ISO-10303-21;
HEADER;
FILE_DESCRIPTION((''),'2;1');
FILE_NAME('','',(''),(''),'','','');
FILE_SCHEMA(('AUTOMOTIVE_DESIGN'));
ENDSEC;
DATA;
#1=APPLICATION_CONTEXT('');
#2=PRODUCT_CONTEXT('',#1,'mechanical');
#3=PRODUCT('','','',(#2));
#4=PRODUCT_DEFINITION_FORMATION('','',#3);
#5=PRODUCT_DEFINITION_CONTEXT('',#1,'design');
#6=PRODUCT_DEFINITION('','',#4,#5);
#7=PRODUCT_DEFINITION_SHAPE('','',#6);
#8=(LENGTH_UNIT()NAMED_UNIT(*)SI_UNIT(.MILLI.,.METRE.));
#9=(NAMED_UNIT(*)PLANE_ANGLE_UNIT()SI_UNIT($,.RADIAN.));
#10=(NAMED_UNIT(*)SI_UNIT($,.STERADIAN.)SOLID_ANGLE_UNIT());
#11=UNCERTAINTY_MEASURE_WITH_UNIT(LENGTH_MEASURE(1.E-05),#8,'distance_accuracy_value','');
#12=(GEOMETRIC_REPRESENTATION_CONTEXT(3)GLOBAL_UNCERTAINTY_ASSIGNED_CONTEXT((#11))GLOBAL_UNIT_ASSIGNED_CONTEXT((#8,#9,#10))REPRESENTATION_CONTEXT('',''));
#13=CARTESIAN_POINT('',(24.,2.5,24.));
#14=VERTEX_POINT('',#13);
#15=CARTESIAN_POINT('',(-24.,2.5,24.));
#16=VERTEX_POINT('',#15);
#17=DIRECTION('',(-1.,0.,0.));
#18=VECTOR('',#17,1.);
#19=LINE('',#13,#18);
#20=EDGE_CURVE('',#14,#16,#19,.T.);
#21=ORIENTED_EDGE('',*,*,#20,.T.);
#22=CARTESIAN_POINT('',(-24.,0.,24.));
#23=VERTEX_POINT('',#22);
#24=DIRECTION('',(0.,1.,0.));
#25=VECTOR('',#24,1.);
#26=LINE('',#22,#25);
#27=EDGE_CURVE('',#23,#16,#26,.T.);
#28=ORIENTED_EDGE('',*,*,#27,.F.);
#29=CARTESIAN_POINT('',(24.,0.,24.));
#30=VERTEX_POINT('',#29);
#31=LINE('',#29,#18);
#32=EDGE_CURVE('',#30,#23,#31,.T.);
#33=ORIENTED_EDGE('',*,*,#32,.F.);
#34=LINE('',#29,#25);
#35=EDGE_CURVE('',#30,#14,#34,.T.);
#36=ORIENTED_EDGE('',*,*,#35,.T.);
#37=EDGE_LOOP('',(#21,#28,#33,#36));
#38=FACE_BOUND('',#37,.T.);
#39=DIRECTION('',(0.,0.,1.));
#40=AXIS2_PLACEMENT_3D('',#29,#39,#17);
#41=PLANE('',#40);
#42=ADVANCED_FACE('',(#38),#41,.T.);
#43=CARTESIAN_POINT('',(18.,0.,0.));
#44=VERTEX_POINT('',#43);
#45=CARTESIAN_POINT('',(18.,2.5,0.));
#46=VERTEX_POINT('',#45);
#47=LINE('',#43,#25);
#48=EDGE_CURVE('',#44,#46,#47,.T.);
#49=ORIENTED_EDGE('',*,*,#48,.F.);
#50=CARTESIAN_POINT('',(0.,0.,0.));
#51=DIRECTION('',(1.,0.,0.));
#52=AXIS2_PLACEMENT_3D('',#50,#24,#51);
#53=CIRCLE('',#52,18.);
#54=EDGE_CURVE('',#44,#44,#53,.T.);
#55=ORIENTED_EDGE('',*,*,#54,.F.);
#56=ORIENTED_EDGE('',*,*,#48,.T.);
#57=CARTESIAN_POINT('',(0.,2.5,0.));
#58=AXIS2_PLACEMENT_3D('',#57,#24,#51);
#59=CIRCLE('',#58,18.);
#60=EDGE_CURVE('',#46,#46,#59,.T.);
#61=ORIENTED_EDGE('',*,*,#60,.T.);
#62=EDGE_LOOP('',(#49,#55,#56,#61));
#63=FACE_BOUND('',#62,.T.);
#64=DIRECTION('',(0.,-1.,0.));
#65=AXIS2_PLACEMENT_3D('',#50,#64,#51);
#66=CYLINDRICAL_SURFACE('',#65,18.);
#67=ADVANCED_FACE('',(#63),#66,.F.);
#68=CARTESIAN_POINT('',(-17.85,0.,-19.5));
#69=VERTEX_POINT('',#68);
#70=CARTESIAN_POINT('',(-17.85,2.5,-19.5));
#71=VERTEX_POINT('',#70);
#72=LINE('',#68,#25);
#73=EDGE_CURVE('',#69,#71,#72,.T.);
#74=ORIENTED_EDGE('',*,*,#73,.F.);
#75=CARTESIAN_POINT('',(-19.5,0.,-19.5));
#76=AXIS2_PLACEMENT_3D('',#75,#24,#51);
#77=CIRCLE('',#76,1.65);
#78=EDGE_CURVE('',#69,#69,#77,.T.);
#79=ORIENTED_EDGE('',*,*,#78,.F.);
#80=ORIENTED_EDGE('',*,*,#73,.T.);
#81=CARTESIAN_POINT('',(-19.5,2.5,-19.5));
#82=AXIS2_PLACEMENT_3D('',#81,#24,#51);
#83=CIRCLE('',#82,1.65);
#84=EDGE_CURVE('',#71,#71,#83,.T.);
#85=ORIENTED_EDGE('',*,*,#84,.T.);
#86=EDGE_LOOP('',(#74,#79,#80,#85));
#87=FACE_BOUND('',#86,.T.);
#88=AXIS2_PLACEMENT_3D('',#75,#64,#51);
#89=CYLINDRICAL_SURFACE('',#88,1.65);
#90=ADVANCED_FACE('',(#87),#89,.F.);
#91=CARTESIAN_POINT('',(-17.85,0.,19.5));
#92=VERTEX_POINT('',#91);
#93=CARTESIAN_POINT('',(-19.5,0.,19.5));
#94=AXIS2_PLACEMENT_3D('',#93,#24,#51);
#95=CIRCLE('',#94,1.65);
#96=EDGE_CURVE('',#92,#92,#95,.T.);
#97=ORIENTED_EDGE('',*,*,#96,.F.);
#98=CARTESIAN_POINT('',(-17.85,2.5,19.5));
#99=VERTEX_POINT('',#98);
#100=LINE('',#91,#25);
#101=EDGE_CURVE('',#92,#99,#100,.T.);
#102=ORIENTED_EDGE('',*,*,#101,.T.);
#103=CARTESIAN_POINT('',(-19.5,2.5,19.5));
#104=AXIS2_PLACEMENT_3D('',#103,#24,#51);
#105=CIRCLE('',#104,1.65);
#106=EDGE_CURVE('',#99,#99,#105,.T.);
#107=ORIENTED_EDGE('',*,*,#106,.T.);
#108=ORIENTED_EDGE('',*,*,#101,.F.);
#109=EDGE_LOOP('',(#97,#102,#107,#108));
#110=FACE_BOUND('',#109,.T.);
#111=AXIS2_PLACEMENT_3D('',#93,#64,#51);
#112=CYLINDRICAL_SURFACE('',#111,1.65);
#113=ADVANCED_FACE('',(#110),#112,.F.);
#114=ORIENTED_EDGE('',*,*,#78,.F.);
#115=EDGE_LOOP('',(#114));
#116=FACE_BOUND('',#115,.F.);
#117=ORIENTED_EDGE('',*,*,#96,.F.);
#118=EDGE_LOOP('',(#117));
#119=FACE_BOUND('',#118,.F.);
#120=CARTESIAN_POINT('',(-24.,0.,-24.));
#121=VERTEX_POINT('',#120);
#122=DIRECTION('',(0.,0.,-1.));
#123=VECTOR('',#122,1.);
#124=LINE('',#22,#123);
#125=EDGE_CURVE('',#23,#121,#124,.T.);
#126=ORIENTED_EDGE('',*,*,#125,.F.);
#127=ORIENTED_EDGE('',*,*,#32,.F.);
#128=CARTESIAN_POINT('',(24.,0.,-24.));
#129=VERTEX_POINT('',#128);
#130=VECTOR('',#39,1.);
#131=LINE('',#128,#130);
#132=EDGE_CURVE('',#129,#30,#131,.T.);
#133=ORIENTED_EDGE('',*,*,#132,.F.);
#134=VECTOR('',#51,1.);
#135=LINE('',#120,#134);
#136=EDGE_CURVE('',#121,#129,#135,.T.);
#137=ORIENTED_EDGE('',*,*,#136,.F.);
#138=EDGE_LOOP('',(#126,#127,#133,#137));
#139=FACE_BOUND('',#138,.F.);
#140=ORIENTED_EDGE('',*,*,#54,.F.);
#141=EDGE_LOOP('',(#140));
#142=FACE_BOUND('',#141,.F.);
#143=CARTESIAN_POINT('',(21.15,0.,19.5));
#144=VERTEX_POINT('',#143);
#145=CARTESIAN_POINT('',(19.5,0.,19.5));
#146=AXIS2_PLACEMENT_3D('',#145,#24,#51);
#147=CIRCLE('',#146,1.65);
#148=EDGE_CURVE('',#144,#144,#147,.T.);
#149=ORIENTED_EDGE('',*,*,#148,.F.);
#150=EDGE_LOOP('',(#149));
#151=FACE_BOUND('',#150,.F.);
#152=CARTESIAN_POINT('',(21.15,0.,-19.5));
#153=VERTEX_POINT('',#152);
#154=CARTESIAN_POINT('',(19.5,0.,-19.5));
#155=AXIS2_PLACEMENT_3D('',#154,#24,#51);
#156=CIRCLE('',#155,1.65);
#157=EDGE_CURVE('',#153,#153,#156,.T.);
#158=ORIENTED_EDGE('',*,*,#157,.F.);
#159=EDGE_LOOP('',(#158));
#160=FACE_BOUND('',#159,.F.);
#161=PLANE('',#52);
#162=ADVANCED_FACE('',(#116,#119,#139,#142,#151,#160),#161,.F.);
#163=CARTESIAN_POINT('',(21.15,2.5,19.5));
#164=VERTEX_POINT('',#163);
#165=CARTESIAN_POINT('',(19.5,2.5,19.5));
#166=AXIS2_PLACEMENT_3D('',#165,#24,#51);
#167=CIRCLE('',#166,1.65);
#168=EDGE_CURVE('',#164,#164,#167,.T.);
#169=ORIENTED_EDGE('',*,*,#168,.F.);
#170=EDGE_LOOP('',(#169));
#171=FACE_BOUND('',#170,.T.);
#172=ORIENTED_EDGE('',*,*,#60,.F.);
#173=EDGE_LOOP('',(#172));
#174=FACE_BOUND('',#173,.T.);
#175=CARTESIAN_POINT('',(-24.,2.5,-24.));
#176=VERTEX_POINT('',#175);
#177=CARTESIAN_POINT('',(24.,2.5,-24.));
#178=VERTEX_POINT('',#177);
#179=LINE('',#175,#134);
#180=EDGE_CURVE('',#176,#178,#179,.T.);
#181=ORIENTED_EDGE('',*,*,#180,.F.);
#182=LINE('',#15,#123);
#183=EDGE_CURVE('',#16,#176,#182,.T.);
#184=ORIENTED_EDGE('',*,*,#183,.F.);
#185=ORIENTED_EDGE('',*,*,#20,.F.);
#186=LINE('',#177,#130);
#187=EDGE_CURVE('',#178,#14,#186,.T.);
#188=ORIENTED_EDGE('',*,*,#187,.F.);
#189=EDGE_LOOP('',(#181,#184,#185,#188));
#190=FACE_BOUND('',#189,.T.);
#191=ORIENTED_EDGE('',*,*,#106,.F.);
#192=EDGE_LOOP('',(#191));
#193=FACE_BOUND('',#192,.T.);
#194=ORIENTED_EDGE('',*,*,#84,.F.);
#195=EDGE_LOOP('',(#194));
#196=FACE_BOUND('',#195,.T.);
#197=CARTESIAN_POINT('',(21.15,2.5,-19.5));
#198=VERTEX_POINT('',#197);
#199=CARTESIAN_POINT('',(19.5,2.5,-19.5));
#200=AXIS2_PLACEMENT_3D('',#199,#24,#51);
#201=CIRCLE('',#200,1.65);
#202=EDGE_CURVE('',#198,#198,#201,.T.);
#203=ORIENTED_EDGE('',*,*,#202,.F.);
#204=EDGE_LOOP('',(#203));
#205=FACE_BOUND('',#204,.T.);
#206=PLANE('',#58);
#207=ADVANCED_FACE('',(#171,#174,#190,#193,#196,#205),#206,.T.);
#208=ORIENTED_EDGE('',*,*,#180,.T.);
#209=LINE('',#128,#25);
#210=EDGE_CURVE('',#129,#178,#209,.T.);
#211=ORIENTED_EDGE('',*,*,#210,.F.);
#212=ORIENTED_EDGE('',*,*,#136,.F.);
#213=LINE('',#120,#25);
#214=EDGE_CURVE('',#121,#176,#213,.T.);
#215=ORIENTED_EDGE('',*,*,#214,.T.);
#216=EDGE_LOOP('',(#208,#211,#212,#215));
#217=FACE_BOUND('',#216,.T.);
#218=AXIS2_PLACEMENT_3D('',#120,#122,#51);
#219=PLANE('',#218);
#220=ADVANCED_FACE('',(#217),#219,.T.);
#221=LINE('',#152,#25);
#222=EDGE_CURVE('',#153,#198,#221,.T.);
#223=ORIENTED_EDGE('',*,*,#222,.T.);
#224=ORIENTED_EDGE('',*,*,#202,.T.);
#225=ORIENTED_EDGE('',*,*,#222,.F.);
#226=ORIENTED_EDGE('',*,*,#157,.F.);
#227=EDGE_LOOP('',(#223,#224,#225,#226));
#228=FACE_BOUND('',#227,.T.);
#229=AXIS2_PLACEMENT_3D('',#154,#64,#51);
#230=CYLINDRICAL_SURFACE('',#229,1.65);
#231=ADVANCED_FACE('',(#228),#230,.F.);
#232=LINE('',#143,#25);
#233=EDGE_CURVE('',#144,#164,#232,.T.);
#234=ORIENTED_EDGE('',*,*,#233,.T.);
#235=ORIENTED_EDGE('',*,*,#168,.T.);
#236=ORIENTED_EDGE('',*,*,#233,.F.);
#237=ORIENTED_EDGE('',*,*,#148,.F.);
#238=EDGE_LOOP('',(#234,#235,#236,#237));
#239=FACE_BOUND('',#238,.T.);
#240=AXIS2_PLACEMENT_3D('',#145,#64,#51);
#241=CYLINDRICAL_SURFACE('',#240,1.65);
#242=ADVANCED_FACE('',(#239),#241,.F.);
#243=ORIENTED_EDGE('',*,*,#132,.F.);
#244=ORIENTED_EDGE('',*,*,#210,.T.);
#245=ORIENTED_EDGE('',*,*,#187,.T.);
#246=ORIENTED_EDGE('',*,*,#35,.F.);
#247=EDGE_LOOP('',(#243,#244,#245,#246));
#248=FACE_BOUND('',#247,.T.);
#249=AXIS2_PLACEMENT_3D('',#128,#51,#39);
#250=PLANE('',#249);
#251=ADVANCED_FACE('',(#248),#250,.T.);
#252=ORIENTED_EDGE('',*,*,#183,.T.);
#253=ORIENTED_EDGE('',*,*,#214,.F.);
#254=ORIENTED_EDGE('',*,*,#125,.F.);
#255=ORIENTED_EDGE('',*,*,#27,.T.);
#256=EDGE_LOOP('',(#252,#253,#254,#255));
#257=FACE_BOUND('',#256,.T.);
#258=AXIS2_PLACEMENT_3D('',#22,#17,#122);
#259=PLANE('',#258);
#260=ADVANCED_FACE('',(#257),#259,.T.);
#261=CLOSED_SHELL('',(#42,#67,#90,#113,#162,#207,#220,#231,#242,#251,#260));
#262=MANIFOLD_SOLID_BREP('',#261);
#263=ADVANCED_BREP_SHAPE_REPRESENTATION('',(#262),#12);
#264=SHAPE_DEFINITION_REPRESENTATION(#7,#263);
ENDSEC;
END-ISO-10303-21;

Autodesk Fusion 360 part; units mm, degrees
sketch "Sketch1" plane through (0, 0, 0) normal (0, 1, 0) x (1, 0, 0)
  line L0 (-24, 24) -> (24, 24)
  line L1 (24, 24) -> (24, -24)
  line L2 (24, -24) -> (-24, -24)
  line L3 (-24, -24) -> (-24, 24)
  circle A0 centre (0, 0) radius 18
  circle A1 centre (19.5, -19.5) radius 1.65
  circle A2 centre (19.5, 19.5) radius 1.65
  circle A3 centre (-19.5, 19.5) radius 1.65
  circle A4 centre (-19.5, -19.5) radius 1.65
  dimension "d1" = 24
  dimension "d2" = 48
  dimension "d3" = 24
  dimension "d4" = 48
  dimension "d7" = 36
  dimension "d8" = 3.3
  dimension "d9" = 19.5
  dimension "d10" = 19.5
  dimension "d13" = 360
extrude "Extrude1" add sketch "Sketch1" along normal blind 2.5
equation "d1 = size / 2"
equation "d2 = size"
equation "d3 = size / 2"
equation "d4 = size"
equation "d9 = ( 39 / 2 ) * 1 mm"
equation "d10 = ( 39 / 2 ) * 1 mm"
equation "size = 48 mm"
